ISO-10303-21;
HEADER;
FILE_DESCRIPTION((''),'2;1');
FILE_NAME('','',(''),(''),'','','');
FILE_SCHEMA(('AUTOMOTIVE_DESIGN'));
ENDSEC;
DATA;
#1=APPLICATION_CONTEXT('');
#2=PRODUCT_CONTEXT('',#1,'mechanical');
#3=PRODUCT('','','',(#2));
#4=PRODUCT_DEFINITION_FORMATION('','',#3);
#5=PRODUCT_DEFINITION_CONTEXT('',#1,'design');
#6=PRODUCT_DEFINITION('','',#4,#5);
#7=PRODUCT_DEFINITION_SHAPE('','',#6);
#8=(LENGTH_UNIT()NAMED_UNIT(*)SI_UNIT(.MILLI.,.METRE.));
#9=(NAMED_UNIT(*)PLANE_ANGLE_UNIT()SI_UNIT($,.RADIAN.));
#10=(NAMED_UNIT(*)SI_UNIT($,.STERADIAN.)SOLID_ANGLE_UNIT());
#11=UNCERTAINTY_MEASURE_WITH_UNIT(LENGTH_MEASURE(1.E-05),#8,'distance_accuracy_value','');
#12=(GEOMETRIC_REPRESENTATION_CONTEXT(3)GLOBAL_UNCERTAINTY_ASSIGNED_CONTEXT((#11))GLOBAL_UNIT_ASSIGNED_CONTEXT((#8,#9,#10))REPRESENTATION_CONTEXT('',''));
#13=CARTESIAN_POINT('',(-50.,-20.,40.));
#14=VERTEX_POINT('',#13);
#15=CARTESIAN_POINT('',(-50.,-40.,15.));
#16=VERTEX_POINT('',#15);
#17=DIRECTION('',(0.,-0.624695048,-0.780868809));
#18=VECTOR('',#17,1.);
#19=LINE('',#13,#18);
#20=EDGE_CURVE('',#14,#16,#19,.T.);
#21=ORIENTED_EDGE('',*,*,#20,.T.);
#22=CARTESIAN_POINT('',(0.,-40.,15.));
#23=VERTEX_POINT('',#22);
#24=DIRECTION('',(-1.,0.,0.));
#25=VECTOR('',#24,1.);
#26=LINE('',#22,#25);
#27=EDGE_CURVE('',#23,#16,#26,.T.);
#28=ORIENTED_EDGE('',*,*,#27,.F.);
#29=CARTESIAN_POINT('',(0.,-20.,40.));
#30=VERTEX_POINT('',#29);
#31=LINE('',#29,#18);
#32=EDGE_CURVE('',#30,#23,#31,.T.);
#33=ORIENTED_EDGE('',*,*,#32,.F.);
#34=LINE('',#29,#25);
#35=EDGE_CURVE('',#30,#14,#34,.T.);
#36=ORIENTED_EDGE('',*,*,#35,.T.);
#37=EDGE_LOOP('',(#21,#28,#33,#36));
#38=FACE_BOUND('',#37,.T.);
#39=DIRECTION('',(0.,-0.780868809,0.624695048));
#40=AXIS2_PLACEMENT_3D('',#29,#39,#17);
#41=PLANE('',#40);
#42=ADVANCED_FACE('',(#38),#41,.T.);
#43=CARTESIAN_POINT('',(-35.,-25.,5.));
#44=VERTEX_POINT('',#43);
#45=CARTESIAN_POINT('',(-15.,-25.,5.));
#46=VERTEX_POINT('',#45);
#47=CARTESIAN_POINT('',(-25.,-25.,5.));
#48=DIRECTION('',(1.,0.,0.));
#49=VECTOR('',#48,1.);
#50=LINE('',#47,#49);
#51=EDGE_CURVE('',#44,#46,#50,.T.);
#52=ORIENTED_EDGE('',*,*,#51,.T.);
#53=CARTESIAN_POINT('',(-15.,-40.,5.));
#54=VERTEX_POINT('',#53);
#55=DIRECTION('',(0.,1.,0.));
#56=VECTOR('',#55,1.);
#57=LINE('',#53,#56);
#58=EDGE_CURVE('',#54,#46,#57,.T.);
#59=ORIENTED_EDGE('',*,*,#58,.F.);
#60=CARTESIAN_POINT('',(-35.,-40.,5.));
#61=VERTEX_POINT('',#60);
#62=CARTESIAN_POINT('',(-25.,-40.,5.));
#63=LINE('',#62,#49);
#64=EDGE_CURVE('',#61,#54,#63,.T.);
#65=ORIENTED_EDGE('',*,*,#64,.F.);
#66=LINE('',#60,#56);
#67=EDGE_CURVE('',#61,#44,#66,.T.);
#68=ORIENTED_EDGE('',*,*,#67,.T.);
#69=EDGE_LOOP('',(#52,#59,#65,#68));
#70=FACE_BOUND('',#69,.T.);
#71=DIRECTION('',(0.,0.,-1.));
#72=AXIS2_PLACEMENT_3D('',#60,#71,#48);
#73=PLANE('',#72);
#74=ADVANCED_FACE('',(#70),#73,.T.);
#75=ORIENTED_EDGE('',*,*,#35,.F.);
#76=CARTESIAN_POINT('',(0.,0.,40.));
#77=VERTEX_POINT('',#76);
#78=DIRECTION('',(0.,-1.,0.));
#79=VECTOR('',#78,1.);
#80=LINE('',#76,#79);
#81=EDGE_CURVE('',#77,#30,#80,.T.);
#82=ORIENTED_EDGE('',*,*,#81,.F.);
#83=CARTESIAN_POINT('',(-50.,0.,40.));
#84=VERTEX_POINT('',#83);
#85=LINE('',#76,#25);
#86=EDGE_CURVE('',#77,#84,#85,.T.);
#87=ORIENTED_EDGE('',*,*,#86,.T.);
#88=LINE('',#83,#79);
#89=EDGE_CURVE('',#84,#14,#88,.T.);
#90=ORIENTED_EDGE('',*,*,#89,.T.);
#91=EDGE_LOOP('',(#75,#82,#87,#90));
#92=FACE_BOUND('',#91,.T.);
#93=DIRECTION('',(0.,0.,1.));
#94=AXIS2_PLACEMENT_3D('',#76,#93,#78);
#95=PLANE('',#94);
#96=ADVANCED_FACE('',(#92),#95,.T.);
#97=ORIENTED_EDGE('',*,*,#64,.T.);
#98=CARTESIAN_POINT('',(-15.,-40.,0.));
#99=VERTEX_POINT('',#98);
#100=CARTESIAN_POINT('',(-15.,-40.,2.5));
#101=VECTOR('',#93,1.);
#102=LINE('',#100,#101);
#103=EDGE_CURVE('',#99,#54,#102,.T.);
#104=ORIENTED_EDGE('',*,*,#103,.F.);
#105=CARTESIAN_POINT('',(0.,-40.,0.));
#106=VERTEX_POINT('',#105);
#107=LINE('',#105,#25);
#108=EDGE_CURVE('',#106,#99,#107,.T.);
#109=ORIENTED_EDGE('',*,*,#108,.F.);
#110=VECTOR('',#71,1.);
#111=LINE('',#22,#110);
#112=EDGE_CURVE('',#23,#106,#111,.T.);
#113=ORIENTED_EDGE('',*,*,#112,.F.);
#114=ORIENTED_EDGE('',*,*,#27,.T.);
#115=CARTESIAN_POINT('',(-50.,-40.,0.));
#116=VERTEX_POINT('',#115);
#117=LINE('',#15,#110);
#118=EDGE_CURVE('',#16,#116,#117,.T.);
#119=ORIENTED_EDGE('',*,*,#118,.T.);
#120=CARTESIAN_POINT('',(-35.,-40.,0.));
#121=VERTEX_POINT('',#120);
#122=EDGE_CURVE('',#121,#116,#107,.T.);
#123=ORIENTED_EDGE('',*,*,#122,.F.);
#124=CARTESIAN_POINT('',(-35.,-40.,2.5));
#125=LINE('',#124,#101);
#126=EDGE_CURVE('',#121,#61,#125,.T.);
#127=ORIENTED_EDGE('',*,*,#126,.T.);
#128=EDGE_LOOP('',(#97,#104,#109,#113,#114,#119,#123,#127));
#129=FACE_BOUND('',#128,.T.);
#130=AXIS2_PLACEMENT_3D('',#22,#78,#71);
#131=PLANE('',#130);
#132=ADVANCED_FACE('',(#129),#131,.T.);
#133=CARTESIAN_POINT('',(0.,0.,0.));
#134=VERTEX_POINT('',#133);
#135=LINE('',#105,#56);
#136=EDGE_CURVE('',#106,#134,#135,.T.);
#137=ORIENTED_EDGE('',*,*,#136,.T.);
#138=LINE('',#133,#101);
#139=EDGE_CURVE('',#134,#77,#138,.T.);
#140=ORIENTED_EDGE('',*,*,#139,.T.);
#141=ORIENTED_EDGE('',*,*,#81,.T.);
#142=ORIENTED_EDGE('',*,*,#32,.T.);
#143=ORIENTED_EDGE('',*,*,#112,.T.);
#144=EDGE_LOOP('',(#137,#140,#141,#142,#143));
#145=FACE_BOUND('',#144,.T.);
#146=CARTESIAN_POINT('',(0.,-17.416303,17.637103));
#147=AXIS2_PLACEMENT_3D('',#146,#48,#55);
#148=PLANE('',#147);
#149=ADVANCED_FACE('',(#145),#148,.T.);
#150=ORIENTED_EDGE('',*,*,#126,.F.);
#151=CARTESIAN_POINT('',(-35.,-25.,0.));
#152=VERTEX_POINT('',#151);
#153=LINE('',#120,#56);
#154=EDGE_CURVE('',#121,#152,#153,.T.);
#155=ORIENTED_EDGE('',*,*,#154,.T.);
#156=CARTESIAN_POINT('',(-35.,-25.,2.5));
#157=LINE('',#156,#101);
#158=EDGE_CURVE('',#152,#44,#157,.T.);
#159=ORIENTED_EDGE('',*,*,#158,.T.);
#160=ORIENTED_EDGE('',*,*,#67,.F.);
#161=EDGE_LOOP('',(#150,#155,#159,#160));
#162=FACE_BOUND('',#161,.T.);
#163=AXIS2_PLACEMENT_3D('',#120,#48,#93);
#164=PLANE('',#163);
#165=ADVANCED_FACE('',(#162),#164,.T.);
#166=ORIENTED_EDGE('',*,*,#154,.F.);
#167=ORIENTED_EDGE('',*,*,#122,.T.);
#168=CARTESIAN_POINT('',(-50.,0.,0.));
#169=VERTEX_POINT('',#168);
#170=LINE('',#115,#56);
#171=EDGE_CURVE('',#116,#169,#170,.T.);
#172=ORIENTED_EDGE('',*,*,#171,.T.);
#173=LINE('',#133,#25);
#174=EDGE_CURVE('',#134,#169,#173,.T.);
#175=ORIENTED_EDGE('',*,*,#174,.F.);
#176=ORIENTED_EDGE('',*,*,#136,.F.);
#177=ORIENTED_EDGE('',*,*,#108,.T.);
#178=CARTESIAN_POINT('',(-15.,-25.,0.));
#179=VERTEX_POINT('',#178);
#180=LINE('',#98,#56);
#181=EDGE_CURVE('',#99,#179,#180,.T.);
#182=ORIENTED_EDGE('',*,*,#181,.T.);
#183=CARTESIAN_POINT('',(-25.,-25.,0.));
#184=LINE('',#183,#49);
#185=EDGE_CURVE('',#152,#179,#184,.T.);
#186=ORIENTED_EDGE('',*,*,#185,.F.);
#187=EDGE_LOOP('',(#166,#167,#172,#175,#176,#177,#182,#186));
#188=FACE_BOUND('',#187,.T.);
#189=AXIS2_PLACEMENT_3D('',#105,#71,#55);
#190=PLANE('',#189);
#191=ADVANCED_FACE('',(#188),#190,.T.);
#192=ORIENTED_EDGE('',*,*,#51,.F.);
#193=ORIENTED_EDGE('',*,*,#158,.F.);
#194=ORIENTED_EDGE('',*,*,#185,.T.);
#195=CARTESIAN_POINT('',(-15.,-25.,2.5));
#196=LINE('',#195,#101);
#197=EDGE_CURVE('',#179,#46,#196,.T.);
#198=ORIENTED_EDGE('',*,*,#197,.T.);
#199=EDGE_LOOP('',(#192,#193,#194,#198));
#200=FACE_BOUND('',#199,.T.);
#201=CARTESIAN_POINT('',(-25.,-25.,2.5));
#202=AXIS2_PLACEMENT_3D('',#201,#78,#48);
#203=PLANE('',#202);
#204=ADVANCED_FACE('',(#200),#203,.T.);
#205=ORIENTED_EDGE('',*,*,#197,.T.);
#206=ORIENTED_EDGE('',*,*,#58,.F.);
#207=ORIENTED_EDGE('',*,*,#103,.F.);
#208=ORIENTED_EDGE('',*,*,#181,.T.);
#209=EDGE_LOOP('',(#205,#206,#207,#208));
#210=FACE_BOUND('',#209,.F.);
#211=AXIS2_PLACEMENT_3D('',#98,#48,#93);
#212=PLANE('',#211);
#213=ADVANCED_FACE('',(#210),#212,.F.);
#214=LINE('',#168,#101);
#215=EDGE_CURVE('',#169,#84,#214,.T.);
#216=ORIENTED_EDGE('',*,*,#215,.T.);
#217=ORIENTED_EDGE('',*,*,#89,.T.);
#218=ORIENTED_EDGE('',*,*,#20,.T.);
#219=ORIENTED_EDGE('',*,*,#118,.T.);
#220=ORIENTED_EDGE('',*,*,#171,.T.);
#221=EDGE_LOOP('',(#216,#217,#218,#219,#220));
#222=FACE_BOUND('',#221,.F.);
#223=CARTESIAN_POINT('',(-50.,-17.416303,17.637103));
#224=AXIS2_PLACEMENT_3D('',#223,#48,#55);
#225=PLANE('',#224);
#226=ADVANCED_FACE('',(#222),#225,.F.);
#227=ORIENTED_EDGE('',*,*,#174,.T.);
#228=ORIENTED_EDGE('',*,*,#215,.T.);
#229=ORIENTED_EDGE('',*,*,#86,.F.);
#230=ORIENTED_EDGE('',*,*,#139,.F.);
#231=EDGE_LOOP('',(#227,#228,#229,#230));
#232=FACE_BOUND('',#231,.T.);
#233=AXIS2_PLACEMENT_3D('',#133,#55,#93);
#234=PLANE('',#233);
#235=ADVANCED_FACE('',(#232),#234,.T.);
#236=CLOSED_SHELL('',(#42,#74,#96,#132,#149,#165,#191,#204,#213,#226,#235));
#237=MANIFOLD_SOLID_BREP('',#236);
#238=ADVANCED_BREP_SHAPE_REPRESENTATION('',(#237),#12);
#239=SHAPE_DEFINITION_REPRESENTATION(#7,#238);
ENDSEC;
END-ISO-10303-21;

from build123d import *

# Parameters (mm, degrees)
F1_DEPTH = 50
F2_W     = 20
F2_H     = 5
F3_DEPTH = 15


with BuildPart() as f1:
    # F0 (on Right) → F1 (new body)
    with BuildSketch(Plane.YZ):
        Polygon((0, 40), (-20, 40), (-40, 15), (-40, 0), (0, 0), align=None)
    extrude(amount=-F1_DEPTH)

    # F2 (on face) → F3 (cut)
    with BuildSketch(Plane.XZ.offset(40)):
        with Locations((-25, 2.5)):
            Rectangle(F2_W, F2_H)
    extrude(amount=-F3_DEPTH, mode=Mode.SUBTRACT)


solid = f1.part
